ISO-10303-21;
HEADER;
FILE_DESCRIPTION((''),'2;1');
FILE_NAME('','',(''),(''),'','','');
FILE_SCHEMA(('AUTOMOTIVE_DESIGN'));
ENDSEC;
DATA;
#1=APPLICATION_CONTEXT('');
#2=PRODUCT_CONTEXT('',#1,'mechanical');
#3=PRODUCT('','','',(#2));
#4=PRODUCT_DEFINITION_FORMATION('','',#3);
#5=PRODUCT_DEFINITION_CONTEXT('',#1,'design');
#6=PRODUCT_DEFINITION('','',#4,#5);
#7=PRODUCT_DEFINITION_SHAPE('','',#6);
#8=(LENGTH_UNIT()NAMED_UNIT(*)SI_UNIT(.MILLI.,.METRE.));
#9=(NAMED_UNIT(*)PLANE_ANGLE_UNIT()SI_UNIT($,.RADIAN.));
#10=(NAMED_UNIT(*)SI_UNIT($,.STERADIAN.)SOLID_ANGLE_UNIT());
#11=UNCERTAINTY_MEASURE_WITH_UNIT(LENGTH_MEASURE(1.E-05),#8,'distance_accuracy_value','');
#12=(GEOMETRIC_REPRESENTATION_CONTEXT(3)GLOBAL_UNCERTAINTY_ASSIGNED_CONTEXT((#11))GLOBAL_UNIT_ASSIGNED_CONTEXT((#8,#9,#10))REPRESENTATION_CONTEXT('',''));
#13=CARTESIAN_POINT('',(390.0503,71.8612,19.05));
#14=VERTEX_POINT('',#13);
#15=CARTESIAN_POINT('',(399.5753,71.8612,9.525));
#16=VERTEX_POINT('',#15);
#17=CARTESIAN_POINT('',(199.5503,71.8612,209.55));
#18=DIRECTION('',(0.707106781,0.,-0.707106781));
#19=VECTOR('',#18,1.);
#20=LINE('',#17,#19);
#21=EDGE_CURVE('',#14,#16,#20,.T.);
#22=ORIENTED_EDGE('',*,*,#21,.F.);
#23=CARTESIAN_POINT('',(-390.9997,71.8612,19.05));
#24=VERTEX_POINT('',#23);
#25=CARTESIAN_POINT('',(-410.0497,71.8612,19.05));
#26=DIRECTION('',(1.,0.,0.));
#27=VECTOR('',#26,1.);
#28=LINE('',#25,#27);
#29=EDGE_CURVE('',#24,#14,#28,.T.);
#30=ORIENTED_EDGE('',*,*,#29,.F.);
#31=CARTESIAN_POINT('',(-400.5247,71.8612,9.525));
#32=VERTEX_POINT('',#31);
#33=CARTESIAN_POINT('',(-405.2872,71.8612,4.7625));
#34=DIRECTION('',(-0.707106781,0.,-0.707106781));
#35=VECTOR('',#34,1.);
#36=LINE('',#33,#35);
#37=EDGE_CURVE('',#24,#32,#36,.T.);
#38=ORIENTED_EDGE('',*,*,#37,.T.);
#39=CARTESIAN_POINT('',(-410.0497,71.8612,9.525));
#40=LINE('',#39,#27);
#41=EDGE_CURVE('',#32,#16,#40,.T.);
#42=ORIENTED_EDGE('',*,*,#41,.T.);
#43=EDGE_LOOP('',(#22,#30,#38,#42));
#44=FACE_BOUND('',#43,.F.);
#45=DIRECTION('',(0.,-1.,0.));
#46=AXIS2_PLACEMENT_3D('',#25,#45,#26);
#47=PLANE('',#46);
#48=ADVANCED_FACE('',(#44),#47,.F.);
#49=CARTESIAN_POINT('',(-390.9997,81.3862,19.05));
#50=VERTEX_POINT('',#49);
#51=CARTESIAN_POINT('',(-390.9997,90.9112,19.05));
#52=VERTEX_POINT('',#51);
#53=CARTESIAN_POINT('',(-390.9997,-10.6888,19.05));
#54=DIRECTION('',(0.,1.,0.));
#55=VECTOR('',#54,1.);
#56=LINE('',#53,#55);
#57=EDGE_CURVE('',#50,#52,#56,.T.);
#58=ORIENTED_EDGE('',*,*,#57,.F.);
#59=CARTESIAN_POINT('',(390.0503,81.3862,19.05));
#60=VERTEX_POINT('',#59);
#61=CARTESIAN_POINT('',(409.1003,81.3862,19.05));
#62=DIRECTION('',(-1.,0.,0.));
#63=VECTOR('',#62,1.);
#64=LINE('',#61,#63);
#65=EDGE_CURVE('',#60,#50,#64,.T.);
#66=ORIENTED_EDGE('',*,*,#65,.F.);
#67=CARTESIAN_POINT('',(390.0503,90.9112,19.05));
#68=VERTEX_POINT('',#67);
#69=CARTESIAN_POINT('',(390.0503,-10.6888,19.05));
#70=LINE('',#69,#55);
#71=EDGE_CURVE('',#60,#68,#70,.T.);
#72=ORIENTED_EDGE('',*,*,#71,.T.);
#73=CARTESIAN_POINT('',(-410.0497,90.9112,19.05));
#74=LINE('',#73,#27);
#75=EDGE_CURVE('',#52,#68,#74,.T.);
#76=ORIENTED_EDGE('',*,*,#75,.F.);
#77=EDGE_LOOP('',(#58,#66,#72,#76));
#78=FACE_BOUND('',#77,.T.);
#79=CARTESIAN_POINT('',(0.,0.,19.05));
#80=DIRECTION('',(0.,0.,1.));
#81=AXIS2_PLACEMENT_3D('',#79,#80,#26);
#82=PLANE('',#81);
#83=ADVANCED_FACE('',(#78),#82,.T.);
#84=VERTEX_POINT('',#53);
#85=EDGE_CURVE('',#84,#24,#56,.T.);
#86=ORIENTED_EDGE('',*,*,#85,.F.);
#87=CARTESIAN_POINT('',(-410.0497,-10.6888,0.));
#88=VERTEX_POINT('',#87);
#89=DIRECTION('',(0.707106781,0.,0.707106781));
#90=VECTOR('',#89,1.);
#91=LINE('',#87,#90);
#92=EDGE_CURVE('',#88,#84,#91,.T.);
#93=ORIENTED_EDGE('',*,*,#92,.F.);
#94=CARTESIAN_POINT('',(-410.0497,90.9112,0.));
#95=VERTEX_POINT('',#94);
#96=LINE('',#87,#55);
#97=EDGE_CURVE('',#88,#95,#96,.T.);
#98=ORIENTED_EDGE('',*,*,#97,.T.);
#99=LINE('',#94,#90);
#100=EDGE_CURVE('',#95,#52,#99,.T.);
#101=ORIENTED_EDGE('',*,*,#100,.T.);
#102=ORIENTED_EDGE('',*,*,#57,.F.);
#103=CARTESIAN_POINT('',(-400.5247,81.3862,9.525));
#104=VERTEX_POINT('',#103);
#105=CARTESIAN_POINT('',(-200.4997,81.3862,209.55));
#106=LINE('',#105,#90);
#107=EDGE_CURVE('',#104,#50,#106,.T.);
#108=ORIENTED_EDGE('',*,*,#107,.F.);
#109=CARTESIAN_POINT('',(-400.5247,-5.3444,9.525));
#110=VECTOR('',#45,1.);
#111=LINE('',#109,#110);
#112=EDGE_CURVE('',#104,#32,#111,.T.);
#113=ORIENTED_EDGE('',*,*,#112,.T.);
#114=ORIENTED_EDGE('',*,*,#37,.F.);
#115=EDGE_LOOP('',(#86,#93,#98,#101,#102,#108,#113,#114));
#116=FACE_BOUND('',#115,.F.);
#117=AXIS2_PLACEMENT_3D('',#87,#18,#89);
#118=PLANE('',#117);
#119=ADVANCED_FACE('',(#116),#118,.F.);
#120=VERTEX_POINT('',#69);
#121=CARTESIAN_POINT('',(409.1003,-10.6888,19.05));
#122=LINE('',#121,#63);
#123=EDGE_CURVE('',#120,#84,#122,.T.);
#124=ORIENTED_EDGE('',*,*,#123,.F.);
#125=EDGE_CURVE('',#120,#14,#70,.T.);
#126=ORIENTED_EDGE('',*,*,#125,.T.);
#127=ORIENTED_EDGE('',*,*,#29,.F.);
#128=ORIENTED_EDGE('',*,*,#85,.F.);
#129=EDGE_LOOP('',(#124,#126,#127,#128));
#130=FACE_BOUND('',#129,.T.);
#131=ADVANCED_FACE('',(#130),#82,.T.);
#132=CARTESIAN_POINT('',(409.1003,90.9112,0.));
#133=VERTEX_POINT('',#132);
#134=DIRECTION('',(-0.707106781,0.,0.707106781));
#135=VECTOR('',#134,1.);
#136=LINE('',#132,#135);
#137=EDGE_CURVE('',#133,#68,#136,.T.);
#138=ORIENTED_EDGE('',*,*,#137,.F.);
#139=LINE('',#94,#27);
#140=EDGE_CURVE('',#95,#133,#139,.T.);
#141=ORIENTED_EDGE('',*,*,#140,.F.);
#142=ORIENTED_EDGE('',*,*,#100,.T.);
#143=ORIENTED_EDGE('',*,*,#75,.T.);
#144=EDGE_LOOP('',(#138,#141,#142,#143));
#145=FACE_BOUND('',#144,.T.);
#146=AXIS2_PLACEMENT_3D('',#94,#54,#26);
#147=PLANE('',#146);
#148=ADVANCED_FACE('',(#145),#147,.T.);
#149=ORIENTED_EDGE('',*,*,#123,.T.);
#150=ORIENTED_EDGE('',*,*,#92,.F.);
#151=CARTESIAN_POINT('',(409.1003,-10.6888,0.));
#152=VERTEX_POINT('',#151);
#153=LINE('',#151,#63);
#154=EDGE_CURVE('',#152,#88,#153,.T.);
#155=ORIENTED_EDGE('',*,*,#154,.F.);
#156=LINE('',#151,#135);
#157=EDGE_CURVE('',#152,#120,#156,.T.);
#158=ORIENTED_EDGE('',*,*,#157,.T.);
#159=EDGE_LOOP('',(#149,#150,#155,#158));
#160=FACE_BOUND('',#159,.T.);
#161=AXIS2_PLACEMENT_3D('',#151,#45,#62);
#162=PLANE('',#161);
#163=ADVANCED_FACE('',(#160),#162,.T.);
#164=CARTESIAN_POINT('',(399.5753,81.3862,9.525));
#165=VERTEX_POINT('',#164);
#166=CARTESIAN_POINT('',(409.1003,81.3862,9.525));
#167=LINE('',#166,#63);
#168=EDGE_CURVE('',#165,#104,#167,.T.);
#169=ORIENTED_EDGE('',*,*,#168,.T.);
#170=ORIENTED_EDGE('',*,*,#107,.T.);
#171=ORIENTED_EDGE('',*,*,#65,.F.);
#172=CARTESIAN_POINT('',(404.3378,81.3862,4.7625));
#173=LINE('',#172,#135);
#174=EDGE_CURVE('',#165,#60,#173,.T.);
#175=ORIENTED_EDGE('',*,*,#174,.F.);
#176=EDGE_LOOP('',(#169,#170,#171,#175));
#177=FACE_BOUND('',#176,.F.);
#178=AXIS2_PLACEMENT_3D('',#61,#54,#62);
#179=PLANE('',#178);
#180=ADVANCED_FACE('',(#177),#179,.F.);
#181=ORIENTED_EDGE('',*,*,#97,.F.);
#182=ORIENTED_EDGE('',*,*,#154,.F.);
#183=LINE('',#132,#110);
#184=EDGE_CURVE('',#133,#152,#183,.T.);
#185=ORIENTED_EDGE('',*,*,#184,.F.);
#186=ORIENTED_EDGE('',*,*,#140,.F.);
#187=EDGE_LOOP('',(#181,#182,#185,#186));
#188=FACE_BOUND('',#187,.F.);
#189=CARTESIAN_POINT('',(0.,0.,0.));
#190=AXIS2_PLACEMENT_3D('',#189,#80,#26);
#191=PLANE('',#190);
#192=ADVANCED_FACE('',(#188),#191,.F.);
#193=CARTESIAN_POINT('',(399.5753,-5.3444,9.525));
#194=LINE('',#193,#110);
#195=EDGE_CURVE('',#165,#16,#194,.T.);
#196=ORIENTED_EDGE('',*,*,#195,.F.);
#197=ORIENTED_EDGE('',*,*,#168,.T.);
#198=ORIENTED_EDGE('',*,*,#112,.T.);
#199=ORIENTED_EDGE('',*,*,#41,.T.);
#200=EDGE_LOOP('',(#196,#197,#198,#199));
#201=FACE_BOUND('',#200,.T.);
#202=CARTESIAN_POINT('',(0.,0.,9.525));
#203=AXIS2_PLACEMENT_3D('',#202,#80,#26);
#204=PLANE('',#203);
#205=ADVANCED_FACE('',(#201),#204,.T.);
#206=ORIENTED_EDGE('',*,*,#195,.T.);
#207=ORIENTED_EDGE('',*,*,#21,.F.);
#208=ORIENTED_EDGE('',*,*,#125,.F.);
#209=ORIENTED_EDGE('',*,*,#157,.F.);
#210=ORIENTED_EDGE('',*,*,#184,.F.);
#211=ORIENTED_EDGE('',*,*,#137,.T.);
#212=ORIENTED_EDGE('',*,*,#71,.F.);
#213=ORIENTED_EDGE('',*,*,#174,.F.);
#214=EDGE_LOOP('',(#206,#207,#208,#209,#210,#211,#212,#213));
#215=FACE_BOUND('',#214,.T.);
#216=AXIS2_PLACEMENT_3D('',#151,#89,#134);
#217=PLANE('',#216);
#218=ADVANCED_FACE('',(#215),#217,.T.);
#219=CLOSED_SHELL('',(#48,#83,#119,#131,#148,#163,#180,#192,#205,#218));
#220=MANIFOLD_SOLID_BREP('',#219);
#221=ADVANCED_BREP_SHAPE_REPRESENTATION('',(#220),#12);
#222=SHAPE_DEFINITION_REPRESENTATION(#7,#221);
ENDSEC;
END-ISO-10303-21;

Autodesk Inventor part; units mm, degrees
ref_plane "YZ Plane" through (0, 0, 0) normal (1, 0, 0) x (0, 1, 0)
ref_plane "XZ Plane" through (0, 0, 0) normal (0, 1, 0) x (-1, 0, 0)
ref_plane "XY Plane" through (0, 0, 0) normal (0, 0, 1) x (1, 0, 0)
sketch "Sketch2" plane through (0, 0, 0) normal (0, 0, 1) x (1, 0, 0)
  line L0 (-410.0497, 90.9112) -> (409.1003, 90.9112)
  line L1 (409.1003, 90.9112) -> (409.1003, -10.6888)
  line L2 (409.1003, -10.6888) -> (-410.0497, -10.6888)
  line L3 (-410.0497, -10.6888) -> (-410.0497, 90.9112)
  point P0 (0, 0)
  dimension "d0" = 819.15
  dimension "d1" = 101.6
extrude "Board" add sketch "Sketch2" along normal blind 19.05
sketch "Sketch10" plane through (0, 0, 19.05) normal (0, 0, 1) x (1, 0, 0)
  line L0 (409.1003, -10.6888) -> (409.1003, 90.9112) projected
  line L1 (409.1003, 81.3862) -> (-410.0497, 81.3862)
  line L2 (-410.0497, 81.3862) -> (-410.0497, 71.8612)
  line L3 (-410.0497, 71.8612) -> (409.1003, 71.8612)
  line L4 (409.1003, 71.8612) -> (409.1003, 81.3862)
  line L5 (-410.0497, 90.9112) -> (-410.0497, -10.6888) projected
  line L6 (409.1003, 90.9112) -> (-410.0497, 90.9112) projected
  point P0 (0, 0)
  dimension "d22" = 9.525
  dimension "d23" = 9.525
sketch "Sketch8" plane through (-410.0497, -10.6888, 0) normal (0, -1, 0) x (1, 0, 0)
  line L0 (819.15, 19.05) -> (0, 19.05) projected
  line L1 (0, 0) -> (0, 19.05) projected
  line L2 (0, 19.05) -> (0, 0)
  line L3 (0, 0) -> (19.05, 19.05)
  line L4 (19.05, 19.05) -> (0, 19.05)
  line L5 (819.15, 0) -> (819.15, 19.05) projected
  line L6 (819.15, 19.05) -> (819.15, 0)
  line L7 (819.15, 0) -> (800.1, 19.05)
  line L8 (800.1, 19.05) -> (819.15, 19.05)
  point P0 (410.0497, 0)
  dimension "d15" = 45
  dimension "d16" = 45
extrude "45 degree mitre" cut sketch "Sketch8" against normal blind 101.6
extrude "Extrusion7" cut sketch "Sketch10" against normal blind 9.525 contours L3 L2 L1 L0
equation "\"d17\" = d1"
properties part number "Base Runner Rear"
